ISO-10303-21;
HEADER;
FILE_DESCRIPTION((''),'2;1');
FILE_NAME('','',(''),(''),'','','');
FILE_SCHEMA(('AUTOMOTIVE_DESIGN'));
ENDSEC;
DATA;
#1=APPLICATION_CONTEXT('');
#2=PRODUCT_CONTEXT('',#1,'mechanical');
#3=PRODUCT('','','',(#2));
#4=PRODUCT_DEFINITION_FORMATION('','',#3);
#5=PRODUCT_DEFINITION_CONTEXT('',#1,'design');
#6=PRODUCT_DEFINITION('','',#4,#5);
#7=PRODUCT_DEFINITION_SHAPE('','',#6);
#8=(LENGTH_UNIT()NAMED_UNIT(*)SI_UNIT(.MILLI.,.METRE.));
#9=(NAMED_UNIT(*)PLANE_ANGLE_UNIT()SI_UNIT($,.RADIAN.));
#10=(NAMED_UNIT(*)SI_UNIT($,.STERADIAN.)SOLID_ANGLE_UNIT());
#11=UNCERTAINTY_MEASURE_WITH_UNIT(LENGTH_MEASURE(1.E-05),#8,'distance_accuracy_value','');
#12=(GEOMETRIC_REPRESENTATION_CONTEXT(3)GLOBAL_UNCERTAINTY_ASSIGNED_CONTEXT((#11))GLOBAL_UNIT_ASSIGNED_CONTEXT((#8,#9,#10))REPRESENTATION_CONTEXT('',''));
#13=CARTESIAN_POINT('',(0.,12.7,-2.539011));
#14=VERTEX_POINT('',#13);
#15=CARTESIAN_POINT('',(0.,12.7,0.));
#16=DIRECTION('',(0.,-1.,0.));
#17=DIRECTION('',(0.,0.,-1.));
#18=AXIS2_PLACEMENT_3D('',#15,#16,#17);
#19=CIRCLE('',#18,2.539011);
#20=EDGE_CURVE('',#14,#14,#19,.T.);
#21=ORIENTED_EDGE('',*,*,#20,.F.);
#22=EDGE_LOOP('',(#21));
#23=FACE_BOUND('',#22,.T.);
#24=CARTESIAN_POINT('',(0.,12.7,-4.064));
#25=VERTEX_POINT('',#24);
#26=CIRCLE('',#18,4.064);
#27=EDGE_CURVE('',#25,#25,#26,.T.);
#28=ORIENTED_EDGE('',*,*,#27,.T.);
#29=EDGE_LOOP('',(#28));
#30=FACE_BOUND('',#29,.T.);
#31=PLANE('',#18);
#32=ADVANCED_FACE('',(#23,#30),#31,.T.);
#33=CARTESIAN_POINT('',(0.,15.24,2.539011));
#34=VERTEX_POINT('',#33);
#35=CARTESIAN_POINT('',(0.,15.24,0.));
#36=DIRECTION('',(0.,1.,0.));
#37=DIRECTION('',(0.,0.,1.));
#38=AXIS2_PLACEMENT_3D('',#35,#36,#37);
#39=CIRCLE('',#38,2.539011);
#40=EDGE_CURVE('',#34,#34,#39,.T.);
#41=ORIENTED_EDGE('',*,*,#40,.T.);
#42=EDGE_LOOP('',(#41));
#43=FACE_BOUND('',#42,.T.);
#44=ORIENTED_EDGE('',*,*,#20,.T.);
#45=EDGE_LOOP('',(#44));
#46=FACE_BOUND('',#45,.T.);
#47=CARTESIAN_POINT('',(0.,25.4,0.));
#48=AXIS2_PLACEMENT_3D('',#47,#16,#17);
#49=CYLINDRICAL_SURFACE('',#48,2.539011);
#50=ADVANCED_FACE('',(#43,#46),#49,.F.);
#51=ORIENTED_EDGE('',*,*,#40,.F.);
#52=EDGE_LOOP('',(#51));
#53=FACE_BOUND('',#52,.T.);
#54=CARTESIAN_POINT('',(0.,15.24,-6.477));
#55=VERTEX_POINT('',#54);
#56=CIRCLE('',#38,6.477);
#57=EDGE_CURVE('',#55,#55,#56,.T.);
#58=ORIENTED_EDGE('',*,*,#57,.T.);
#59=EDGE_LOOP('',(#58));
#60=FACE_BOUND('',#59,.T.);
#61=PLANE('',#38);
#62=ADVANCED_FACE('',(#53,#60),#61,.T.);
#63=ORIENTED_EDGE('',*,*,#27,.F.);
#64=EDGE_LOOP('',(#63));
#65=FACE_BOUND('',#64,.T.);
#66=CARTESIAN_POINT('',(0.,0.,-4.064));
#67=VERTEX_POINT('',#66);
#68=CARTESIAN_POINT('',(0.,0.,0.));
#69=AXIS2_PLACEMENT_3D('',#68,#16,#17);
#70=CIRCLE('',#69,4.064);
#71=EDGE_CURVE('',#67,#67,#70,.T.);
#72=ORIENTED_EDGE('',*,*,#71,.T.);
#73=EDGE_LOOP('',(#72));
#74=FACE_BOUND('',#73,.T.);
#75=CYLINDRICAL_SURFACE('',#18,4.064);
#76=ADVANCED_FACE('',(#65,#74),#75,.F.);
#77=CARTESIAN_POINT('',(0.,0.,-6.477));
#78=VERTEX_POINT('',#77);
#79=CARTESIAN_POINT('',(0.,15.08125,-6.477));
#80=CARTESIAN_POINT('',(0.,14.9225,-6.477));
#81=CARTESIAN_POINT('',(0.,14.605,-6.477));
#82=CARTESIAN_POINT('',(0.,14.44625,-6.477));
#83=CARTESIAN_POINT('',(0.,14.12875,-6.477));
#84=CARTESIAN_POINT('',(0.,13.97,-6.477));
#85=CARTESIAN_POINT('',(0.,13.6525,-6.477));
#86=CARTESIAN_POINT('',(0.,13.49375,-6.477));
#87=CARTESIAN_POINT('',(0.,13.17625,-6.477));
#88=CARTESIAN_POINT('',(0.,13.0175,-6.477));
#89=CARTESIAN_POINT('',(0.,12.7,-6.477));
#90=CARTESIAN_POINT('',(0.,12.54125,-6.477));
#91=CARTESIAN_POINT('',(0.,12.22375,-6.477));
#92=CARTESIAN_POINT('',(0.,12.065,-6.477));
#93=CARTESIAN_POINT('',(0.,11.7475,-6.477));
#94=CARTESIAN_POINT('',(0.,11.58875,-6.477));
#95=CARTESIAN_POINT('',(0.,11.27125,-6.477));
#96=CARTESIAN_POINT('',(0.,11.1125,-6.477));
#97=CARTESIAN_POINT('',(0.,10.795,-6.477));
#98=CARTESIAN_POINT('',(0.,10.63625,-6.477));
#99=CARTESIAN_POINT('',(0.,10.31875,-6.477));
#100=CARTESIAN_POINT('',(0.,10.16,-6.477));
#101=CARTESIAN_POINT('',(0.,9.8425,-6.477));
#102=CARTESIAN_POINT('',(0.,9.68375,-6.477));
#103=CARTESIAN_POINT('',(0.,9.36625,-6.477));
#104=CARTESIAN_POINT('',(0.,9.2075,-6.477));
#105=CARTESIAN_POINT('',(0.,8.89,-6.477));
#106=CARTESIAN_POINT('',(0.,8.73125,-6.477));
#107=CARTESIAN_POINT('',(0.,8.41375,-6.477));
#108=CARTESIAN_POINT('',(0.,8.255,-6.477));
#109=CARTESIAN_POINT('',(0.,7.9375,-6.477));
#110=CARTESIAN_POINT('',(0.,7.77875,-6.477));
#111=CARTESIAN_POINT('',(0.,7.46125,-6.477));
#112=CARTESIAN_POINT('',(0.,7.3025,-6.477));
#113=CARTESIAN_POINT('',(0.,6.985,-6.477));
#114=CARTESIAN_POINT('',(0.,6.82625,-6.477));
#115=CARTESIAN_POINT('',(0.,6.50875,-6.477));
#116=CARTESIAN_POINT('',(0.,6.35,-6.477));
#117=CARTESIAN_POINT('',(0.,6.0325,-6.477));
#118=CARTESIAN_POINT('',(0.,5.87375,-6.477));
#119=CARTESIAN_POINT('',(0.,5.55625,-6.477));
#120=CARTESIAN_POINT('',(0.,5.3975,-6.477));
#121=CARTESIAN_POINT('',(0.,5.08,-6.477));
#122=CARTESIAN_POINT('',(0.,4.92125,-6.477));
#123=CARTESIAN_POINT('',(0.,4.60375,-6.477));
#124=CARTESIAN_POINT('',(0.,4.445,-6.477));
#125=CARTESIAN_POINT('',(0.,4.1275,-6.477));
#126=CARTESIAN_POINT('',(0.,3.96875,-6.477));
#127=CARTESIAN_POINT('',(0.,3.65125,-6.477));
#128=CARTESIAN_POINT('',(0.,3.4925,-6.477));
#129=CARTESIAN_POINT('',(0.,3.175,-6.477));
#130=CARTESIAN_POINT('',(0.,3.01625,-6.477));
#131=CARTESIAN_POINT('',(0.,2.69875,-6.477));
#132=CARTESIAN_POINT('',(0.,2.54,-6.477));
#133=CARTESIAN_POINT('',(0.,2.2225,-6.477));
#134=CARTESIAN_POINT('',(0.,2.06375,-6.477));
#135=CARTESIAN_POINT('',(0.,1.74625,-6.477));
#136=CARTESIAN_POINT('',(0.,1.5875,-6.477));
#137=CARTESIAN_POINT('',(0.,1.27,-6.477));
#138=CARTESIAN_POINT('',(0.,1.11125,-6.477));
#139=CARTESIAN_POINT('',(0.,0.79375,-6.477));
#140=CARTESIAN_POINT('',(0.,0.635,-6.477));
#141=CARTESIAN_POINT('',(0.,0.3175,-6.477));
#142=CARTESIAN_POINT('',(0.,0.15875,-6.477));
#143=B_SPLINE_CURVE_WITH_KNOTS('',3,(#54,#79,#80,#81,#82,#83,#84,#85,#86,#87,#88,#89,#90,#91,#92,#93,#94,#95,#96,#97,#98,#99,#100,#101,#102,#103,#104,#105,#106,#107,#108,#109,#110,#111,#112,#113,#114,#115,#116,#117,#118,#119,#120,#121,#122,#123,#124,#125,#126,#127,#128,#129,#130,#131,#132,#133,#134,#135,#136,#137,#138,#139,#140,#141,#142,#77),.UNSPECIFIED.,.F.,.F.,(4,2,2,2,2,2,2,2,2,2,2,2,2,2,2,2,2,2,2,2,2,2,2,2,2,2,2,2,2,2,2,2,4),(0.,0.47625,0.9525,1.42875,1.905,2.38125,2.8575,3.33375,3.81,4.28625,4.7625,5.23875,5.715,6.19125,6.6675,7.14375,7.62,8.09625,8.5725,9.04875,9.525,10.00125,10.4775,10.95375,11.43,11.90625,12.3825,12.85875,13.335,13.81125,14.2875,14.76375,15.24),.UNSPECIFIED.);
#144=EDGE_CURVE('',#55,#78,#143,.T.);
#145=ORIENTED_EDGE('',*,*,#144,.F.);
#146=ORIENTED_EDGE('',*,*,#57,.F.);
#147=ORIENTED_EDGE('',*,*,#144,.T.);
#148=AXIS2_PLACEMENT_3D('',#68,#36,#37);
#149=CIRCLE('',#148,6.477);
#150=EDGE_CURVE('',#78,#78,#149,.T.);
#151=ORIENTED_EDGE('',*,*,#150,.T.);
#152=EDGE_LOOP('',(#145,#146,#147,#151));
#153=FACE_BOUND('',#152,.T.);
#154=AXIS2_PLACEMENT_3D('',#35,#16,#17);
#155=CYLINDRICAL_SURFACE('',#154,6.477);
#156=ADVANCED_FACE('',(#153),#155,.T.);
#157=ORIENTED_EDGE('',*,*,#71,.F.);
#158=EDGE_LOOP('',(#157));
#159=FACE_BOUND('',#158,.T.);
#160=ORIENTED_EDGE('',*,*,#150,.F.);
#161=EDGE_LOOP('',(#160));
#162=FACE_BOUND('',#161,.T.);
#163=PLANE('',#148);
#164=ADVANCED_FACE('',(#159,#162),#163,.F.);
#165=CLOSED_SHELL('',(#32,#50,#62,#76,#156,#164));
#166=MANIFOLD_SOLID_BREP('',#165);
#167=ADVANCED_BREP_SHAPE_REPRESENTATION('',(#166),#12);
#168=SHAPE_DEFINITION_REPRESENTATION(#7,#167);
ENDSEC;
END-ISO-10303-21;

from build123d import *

# Parameters (mm, degrees)
SKETCH1_R           = 6.477
BOSS_EXTRUDE3_DEPTH = 15.24
SKETCH4_R           = 4.064
CUT_EXTRUDE2_DEPTH  = 12.7
SKETCH5_R           = 2.539011159
CUT_EXTRUDE3_DEPTH  = 12.7


with BuildPart() as part:
    # Sketch1 → Boss-Extrude3 (new body)
    with BuildSketch(Plane(origin=(0, 0, 0), x_dir=(1, 0, 0), z_dir=(0, 1, 0))):
        with Locations(Location((0, 0, 0), (0, 0, 90))):
            Circle(SKETCH1_R)
    extrude(amount=BOSS_EXTRUDE3_DEPTH)

    # Sketch4 → Cut-Extrude2 (cut)
    with BuildSketch(Plane.XZ):
        with Locations(Location((0, 0, 0), (0, 0, 270))):
            Circle(SKETCH4_R)
    extrude(amount=-CUT_EXTRUDE2_DEPTH, mode=Mode.SUBTRACT)

    # Sketch5 → Cut-Extrude3 (cut)
    with BuildSketch(Plane.XZ.offset(-12.7)):
        with Locations(Location((0, 0, 0), (0, 0, 270))):
            Circle(SKETCH5_R)
    extrude(amount=-CUT_EXTRUDE3_DEPTH, mode=Mode.SUBTRACT)


solid = part.part
